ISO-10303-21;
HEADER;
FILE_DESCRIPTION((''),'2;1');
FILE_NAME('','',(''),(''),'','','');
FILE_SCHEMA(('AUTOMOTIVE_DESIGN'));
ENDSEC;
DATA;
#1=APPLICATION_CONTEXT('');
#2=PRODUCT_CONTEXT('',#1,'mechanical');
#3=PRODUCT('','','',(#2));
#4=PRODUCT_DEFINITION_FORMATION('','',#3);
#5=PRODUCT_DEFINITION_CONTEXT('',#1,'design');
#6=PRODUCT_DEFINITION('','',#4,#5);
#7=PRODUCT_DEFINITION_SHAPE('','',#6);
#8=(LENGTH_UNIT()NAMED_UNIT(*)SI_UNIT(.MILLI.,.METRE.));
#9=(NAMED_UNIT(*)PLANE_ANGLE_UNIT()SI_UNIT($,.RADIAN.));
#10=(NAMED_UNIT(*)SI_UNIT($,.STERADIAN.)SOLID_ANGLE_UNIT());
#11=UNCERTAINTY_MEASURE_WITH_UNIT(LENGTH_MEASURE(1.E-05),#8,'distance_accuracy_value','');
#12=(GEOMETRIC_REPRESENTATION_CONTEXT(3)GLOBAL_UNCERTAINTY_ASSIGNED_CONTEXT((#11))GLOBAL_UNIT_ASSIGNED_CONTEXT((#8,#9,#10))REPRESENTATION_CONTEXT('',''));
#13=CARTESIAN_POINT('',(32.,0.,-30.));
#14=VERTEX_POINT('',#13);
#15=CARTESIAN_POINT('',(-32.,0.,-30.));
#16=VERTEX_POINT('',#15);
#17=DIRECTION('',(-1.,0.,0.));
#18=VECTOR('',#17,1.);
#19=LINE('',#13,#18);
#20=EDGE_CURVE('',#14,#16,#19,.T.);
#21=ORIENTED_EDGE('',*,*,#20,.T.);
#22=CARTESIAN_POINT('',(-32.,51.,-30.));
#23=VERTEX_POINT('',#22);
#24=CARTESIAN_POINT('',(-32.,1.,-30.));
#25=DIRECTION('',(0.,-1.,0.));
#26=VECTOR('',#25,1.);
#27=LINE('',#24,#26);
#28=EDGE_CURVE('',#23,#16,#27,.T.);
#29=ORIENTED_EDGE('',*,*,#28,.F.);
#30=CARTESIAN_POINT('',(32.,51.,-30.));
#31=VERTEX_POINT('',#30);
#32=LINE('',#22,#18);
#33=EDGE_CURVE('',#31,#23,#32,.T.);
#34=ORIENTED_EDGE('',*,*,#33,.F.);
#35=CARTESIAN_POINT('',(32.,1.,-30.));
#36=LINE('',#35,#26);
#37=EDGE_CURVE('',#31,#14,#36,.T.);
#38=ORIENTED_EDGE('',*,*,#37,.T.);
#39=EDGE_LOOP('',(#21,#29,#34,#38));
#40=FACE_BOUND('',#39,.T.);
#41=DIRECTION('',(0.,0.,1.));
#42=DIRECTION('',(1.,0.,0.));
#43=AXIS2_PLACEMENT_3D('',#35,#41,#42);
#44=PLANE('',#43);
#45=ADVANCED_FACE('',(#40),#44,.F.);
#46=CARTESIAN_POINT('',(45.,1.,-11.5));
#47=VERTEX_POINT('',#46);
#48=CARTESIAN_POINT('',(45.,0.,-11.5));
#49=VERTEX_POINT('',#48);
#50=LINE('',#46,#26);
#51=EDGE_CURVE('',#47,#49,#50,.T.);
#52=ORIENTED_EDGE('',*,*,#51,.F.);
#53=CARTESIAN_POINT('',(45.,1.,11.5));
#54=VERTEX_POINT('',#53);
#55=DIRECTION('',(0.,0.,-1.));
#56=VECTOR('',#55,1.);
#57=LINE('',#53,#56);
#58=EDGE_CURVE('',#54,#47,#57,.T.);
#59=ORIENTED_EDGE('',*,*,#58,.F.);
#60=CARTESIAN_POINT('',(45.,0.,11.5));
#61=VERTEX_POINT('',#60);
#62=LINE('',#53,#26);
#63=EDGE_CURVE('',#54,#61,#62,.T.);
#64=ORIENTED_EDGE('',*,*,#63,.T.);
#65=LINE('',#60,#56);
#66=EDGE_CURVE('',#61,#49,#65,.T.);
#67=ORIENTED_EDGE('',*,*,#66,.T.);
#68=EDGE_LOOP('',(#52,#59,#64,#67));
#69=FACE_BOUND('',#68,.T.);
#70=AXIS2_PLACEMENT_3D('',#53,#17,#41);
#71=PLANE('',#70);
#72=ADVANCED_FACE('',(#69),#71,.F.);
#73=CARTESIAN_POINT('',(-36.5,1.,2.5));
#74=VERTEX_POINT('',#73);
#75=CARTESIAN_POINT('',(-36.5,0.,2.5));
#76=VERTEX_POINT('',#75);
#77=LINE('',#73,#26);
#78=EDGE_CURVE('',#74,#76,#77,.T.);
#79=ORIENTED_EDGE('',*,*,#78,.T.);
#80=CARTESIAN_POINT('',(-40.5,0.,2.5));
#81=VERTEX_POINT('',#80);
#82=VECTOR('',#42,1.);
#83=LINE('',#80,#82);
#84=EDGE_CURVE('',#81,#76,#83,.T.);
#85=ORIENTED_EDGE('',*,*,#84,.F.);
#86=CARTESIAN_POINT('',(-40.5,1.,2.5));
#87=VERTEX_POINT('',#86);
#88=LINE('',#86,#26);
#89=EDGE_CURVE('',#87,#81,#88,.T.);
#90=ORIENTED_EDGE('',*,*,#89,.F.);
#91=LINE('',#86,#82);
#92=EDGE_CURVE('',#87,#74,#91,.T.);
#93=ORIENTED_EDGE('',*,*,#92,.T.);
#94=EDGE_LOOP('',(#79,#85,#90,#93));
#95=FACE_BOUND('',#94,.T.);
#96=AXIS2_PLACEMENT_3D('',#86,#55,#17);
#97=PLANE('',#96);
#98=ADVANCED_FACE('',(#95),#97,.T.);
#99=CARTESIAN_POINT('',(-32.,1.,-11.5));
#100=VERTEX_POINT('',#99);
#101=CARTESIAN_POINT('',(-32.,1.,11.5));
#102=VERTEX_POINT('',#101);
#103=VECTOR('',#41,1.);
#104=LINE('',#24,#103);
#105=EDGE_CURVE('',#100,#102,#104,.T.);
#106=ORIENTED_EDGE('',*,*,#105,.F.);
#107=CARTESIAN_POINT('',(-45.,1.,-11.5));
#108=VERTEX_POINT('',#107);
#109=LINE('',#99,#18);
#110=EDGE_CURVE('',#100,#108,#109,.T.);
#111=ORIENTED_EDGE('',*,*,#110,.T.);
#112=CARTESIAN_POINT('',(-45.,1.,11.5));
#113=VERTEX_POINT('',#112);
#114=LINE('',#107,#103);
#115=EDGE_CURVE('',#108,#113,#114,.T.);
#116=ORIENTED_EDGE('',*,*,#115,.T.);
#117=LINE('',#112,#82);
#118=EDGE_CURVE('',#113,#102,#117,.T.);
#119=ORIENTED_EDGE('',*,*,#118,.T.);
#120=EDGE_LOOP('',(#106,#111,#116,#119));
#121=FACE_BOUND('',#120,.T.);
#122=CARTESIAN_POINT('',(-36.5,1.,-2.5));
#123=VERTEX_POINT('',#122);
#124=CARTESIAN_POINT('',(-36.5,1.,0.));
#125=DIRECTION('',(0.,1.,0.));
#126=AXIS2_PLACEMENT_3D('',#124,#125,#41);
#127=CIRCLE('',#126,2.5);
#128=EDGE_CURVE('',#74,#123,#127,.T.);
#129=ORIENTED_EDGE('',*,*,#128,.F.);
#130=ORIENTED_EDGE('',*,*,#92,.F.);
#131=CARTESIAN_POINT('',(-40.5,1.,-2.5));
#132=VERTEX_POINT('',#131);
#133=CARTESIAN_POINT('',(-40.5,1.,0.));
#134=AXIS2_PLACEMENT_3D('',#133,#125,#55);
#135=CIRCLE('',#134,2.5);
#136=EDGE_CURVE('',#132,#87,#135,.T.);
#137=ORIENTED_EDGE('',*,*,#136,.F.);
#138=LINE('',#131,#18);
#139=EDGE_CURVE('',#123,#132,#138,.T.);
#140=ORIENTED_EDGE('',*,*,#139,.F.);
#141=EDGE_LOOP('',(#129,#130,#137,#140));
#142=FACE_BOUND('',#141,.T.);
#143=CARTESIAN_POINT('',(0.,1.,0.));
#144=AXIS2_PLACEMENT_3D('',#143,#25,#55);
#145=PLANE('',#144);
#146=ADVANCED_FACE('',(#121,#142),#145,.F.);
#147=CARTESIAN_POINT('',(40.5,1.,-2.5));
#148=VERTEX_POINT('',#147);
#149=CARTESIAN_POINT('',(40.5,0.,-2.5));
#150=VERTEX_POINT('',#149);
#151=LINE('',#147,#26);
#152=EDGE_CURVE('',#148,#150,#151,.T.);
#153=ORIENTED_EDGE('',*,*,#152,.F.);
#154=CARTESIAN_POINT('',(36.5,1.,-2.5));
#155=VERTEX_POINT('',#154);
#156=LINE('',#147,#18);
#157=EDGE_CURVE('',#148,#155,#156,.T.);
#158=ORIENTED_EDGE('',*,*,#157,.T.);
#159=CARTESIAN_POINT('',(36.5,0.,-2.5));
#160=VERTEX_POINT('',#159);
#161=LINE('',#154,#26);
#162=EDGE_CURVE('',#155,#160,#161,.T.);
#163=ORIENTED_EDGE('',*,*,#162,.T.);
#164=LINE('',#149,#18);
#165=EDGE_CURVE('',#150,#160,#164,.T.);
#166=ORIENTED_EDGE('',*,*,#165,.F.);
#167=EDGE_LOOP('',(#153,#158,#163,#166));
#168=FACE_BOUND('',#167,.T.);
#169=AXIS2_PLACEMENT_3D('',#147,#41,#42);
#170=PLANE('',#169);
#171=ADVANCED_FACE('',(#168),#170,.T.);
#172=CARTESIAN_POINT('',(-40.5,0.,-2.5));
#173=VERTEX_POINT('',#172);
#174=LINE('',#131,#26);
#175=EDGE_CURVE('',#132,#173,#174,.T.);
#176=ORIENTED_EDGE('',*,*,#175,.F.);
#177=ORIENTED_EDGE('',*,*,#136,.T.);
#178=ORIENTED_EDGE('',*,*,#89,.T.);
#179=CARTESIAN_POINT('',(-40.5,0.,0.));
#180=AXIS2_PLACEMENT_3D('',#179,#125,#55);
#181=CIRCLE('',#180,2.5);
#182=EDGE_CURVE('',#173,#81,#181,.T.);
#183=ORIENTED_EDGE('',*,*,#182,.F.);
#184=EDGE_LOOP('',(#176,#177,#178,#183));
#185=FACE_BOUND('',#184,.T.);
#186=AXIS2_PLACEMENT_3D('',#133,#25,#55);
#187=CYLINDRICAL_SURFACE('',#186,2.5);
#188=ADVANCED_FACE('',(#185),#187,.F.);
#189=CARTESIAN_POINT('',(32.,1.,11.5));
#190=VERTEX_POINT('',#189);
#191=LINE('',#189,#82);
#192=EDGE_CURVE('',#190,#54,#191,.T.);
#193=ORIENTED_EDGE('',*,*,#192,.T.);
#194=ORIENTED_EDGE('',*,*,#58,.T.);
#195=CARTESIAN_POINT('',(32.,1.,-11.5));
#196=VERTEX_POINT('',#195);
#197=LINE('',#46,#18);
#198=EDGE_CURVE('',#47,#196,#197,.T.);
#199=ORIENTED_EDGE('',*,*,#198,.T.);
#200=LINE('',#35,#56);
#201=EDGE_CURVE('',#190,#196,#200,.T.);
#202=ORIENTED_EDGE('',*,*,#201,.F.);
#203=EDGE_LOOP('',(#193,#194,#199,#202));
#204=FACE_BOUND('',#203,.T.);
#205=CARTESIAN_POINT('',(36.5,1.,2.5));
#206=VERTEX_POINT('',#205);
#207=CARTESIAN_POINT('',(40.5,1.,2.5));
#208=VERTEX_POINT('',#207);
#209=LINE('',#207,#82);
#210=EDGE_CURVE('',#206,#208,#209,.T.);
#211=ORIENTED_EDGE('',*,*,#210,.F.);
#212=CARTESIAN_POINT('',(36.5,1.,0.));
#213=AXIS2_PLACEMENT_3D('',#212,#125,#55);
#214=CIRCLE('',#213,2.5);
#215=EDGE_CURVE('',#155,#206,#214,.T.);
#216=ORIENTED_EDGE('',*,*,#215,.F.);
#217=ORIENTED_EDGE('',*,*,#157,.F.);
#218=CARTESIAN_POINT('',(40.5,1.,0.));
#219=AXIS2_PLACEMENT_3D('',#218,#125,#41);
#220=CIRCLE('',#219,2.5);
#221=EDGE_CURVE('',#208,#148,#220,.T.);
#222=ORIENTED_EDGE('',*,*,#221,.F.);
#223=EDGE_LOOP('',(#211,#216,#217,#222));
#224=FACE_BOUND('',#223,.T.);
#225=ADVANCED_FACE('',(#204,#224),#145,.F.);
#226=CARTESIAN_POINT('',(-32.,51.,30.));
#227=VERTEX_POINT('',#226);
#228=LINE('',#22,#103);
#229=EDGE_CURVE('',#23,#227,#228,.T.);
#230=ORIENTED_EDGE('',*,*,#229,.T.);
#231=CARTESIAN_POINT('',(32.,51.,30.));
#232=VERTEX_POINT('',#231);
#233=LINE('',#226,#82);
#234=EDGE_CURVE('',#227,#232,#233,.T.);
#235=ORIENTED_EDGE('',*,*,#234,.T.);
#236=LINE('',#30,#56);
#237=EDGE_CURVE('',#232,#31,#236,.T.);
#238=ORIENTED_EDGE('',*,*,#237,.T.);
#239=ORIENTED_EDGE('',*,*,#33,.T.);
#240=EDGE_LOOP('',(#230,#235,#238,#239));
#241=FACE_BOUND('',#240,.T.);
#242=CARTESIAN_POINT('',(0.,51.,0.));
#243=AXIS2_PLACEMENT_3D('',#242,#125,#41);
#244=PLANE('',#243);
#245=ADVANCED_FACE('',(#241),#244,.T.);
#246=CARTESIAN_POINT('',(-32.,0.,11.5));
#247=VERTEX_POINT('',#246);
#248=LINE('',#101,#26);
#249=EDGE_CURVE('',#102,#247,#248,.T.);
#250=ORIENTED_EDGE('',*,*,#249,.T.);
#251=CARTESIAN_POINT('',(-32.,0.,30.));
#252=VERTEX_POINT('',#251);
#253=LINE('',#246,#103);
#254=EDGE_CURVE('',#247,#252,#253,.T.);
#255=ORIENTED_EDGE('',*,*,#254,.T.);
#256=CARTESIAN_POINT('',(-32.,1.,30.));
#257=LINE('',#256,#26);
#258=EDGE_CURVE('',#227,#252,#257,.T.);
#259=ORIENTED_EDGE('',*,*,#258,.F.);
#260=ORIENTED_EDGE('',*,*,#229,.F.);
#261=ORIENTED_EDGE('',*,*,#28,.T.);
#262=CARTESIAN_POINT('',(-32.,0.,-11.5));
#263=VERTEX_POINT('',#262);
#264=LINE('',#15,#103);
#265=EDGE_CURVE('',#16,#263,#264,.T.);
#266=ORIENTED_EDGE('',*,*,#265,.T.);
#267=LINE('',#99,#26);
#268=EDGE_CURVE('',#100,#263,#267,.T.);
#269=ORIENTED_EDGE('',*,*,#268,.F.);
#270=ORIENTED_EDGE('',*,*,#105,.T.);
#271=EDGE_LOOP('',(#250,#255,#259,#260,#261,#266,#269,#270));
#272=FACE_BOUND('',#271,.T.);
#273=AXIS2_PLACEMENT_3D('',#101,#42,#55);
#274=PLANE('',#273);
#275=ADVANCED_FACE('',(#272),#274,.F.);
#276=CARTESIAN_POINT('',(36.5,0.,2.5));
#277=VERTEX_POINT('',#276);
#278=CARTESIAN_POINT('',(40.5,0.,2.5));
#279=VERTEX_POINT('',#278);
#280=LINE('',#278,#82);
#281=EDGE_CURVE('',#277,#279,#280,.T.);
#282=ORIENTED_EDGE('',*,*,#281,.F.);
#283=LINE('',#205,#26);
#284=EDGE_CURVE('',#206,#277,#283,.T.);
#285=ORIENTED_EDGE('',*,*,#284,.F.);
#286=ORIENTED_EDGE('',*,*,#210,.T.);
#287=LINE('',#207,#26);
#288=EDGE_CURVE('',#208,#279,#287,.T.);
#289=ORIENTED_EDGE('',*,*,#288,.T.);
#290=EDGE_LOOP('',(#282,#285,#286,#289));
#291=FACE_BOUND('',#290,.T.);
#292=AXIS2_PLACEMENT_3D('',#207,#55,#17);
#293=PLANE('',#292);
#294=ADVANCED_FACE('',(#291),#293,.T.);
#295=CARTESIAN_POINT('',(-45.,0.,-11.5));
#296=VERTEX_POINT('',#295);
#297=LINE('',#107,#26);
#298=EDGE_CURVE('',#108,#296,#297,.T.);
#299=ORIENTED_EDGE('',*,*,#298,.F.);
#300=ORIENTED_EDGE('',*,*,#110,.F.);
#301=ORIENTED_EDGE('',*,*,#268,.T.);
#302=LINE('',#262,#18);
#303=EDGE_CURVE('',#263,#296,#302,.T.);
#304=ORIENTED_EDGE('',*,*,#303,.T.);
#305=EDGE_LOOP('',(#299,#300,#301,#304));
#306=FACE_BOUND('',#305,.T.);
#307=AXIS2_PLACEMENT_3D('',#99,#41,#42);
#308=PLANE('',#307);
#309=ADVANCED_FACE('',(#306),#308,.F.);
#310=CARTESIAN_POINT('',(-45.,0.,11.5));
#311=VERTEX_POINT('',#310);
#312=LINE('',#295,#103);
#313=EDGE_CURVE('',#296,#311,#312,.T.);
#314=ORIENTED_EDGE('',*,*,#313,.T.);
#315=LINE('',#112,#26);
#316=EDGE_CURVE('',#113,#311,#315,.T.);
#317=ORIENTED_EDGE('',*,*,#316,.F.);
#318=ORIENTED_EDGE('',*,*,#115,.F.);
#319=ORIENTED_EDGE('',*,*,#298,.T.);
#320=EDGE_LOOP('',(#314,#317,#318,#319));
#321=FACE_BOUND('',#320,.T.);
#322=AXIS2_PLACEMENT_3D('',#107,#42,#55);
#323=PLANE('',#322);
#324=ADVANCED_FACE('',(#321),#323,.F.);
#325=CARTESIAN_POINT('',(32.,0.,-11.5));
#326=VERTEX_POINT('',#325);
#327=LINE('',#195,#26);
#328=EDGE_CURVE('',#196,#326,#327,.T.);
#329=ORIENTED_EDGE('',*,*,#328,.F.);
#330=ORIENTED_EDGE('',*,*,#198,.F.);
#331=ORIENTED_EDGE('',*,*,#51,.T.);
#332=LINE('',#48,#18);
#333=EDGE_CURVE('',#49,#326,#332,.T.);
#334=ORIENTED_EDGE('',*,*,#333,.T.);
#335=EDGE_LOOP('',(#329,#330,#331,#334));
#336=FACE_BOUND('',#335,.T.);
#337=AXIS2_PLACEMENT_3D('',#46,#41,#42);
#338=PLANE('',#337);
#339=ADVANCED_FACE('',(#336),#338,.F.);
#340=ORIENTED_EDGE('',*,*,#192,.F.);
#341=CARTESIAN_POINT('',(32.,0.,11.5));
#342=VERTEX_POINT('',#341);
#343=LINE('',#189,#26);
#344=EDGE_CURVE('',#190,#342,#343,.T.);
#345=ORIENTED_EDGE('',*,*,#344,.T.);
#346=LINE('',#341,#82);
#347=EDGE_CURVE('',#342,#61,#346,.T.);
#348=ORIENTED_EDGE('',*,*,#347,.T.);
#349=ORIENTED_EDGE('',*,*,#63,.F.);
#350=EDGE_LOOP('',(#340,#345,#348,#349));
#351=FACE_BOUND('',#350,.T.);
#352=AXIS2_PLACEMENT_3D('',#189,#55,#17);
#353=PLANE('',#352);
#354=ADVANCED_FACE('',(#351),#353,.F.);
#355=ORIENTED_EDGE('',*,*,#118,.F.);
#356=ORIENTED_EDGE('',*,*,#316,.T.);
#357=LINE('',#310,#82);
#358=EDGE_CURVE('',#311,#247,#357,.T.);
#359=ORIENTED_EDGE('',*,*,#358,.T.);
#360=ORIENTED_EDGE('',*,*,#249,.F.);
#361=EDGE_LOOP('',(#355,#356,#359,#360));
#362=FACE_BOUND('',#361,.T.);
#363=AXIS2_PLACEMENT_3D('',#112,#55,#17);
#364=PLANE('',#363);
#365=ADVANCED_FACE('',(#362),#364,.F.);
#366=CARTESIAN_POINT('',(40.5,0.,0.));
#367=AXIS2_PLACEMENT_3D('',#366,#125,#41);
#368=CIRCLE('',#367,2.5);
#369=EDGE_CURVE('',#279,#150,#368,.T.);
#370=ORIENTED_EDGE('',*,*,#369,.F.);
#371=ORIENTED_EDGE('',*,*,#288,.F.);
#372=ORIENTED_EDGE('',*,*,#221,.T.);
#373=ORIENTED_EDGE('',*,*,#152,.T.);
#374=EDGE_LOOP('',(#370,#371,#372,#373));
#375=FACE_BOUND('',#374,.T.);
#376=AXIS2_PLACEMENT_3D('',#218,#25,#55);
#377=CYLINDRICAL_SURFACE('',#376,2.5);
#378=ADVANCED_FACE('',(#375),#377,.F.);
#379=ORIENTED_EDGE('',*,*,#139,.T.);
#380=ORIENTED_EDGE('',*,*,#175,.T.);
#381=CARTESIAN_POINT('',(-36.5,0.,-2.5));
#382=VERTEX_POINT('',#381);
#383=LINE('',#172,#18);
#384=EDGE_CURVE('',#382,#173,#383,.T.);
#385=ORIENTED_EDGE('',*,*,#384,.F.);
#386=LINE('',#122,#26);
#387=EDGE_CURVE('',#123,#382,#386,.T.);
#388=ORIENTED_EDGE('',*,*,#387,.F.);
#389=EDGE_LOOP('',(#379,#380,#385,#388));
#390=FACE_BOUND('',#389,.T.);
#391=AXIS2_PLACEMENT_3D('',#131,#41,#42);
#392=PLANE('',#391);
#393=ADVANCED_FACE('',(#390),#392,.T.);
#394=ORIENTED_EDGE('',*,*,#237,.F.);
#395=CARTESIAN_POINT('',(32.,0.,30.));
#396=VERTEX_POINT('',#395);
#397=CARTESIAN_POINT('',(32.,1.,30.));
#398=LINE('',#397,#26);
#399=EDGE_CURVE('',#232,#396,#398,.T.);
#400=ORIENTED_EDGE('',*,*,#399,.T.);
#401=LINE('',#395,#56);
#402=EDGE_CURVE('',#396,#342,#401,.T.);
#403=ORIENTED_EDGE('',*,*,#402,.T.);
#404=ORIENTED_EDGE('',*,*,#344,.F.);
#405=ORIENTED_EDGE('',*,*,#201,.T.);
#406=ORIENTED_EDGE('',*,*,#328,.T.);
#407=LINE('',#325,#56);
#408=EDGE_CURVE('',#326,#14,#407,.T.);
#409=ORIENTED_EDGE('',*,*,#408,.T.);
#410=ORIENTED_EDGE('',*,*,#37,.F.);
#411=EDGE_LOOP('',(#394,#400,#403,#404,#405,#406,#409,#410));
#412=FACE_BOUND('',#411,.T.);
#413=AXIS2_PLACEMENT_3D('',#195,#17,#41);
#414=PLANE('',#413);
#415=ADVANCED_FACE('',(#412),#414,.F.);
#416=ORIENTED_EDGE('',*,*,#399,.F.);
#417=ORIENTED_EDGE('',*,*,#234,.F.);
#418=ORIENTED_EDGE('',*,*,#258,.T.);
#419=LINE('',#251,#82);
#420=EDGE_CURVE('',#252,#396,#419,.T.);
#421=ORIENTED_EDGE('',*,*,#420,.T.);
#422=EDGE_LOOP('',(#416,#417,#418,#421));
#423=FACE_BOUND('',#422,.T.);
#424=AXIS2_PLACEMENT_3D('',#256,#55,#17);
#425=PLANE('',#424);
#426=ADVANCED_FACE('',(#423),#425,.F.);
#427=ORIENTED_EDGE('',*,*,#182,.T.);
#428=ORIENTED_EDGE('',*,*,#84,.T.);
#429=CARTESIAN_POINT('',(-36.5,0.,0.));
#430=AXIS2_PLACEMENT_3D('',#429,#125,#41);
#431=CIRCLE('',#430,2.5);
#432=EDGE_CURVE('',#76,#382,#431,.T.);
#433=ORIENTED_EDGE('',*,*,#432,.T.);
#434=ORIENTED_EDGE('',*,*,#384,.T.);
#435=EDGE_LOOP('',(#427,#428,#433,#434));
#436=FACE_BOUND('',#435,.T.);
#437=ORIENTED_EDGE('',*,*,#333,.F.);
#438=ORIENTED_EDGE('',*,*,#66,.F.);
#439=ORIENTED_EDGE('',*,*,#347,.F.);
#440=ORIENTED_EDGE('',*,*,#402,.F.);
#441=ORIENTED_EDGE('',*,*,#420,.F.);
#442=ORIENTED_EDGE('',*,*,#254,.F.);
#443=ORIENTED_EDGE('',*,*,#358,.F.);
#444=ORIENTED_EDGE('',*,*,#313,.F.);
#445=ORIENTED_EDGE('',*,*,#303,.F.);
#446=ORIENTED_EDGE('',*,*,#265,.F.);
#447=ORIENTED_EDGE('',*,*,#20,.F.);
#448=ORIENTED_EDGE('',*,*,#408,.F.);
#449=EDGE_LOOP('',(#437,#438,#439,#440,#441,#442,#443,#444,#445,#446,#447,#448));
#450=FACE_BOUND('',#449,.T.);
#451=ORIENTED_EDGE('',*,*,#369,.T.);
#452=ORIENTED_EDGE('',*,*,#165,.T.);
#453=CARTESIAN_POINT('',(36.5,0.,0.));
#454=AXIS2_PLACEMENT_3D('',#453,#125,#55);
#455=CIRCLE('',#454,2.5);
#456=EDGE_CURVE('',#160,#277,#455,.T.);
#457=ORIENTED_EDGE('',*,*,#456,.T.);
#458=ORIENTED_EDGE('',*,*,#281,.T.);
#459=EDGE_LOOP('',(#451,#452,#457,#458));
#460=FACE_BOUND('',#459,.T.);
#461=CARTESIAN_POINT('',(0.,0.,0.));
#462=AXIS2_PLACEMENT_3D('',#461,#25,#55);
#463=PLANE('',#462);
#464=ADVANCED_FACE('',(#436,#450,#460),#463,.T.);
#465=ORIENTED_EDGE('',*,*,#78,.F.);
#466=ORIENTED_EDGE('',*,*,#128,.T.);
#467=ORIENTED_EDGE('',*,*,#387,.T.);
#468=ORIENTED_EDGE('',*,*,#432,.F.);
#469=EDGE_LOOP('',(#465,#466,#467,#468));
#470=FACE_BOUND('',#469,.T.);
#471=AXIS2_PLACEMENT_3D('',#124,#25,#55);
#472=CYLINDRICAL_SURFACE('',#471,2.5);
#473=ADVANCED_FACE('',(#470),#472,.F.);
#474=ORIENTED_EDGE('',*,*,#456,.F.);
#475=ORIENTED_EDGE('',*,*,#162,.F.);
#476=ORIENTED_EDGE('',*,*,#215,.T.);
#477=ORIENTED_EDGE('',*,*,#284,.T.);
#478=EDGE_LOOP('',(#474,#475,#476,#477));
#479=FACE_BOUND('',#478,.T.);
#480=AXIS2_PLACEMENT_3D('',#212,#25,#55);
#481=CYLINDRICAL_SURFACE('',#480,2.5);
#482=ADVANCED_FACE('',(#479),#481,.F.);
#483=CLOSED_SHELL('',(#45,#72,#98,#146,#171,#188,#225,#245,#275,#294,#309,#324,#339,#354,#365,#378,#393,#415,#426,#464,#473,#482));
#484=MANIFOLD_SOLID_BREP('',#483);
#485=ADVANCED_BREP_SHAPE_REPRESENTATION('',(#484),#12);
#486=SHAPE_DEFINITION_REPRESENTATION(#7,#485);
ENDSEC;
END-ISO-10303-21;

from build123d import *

# Parameters (mm, degrees)
SALIENTE_EXTRUIR1_DEPTH = 1
CROQUIS2_W              = 64
CROQUIS2_H              = 60
SALIENTE_EXTRUIR2_DEPTH = 50


with BuildPart() as part:
    # Croquis1 → Saliente-Extruir1 (new body)
    with BuildSketch(Plane(origin=(0, 0, 0), x_dir=(1, 0, 0), z_dir=(0, 1, 0))):
        Polygon((-32, 11.5), (-45, 11.5), (-45, -11.5), (-32, -11.5), (-32, -30), (32, -30), (32, -11.5), (45, -11.5), (45, 11.5), (32, 11.5), (32, 30), (-32, 30), align=None)
        with BuildLine():
            Line((-40.5, -2.5), (-36.5, -2.5))
            ThreePointArc((-36.5, -2.5), (-34, 0), (-36.5, 2.5))
            Line((-36.5, 2.5), (-40.5, 2.5))
            ThreePointArc((-40.5, 2.5), (-43, 0), (-40.5, -2.5))
        make_face(mode=Mode.SUBTRACT)
        with BuildLine():
            Line((40.5, -2.5), (36.5, -2.5))
            ThreePointArc((36.5, -2.5), (34, 0), (36.5, 2.5))
            Line((36.5, 2.5), (40.5, 2.5))
            ThreePointArc((40.5, 2.5), (43, 0), (40.5, -2.5))
        make_face(mode=Mode.SUBTRACT)
    extrude(amount=SALIENTE_EXTRUIR1_DEPTH)

    # Croquis2 → Saliente-Extruir2 (add)
    with BuildSketch(Plane(origin=(0, 1, 0), x_dir=(1, 0, 0), z_dir=(0, 1, 0))):
        Rectangle(CROQUIS2_W, CROQUIS2_H)
    extrude(amount=SALIENTE_EXTRUIR2_DEPTH)


solid = part.part
